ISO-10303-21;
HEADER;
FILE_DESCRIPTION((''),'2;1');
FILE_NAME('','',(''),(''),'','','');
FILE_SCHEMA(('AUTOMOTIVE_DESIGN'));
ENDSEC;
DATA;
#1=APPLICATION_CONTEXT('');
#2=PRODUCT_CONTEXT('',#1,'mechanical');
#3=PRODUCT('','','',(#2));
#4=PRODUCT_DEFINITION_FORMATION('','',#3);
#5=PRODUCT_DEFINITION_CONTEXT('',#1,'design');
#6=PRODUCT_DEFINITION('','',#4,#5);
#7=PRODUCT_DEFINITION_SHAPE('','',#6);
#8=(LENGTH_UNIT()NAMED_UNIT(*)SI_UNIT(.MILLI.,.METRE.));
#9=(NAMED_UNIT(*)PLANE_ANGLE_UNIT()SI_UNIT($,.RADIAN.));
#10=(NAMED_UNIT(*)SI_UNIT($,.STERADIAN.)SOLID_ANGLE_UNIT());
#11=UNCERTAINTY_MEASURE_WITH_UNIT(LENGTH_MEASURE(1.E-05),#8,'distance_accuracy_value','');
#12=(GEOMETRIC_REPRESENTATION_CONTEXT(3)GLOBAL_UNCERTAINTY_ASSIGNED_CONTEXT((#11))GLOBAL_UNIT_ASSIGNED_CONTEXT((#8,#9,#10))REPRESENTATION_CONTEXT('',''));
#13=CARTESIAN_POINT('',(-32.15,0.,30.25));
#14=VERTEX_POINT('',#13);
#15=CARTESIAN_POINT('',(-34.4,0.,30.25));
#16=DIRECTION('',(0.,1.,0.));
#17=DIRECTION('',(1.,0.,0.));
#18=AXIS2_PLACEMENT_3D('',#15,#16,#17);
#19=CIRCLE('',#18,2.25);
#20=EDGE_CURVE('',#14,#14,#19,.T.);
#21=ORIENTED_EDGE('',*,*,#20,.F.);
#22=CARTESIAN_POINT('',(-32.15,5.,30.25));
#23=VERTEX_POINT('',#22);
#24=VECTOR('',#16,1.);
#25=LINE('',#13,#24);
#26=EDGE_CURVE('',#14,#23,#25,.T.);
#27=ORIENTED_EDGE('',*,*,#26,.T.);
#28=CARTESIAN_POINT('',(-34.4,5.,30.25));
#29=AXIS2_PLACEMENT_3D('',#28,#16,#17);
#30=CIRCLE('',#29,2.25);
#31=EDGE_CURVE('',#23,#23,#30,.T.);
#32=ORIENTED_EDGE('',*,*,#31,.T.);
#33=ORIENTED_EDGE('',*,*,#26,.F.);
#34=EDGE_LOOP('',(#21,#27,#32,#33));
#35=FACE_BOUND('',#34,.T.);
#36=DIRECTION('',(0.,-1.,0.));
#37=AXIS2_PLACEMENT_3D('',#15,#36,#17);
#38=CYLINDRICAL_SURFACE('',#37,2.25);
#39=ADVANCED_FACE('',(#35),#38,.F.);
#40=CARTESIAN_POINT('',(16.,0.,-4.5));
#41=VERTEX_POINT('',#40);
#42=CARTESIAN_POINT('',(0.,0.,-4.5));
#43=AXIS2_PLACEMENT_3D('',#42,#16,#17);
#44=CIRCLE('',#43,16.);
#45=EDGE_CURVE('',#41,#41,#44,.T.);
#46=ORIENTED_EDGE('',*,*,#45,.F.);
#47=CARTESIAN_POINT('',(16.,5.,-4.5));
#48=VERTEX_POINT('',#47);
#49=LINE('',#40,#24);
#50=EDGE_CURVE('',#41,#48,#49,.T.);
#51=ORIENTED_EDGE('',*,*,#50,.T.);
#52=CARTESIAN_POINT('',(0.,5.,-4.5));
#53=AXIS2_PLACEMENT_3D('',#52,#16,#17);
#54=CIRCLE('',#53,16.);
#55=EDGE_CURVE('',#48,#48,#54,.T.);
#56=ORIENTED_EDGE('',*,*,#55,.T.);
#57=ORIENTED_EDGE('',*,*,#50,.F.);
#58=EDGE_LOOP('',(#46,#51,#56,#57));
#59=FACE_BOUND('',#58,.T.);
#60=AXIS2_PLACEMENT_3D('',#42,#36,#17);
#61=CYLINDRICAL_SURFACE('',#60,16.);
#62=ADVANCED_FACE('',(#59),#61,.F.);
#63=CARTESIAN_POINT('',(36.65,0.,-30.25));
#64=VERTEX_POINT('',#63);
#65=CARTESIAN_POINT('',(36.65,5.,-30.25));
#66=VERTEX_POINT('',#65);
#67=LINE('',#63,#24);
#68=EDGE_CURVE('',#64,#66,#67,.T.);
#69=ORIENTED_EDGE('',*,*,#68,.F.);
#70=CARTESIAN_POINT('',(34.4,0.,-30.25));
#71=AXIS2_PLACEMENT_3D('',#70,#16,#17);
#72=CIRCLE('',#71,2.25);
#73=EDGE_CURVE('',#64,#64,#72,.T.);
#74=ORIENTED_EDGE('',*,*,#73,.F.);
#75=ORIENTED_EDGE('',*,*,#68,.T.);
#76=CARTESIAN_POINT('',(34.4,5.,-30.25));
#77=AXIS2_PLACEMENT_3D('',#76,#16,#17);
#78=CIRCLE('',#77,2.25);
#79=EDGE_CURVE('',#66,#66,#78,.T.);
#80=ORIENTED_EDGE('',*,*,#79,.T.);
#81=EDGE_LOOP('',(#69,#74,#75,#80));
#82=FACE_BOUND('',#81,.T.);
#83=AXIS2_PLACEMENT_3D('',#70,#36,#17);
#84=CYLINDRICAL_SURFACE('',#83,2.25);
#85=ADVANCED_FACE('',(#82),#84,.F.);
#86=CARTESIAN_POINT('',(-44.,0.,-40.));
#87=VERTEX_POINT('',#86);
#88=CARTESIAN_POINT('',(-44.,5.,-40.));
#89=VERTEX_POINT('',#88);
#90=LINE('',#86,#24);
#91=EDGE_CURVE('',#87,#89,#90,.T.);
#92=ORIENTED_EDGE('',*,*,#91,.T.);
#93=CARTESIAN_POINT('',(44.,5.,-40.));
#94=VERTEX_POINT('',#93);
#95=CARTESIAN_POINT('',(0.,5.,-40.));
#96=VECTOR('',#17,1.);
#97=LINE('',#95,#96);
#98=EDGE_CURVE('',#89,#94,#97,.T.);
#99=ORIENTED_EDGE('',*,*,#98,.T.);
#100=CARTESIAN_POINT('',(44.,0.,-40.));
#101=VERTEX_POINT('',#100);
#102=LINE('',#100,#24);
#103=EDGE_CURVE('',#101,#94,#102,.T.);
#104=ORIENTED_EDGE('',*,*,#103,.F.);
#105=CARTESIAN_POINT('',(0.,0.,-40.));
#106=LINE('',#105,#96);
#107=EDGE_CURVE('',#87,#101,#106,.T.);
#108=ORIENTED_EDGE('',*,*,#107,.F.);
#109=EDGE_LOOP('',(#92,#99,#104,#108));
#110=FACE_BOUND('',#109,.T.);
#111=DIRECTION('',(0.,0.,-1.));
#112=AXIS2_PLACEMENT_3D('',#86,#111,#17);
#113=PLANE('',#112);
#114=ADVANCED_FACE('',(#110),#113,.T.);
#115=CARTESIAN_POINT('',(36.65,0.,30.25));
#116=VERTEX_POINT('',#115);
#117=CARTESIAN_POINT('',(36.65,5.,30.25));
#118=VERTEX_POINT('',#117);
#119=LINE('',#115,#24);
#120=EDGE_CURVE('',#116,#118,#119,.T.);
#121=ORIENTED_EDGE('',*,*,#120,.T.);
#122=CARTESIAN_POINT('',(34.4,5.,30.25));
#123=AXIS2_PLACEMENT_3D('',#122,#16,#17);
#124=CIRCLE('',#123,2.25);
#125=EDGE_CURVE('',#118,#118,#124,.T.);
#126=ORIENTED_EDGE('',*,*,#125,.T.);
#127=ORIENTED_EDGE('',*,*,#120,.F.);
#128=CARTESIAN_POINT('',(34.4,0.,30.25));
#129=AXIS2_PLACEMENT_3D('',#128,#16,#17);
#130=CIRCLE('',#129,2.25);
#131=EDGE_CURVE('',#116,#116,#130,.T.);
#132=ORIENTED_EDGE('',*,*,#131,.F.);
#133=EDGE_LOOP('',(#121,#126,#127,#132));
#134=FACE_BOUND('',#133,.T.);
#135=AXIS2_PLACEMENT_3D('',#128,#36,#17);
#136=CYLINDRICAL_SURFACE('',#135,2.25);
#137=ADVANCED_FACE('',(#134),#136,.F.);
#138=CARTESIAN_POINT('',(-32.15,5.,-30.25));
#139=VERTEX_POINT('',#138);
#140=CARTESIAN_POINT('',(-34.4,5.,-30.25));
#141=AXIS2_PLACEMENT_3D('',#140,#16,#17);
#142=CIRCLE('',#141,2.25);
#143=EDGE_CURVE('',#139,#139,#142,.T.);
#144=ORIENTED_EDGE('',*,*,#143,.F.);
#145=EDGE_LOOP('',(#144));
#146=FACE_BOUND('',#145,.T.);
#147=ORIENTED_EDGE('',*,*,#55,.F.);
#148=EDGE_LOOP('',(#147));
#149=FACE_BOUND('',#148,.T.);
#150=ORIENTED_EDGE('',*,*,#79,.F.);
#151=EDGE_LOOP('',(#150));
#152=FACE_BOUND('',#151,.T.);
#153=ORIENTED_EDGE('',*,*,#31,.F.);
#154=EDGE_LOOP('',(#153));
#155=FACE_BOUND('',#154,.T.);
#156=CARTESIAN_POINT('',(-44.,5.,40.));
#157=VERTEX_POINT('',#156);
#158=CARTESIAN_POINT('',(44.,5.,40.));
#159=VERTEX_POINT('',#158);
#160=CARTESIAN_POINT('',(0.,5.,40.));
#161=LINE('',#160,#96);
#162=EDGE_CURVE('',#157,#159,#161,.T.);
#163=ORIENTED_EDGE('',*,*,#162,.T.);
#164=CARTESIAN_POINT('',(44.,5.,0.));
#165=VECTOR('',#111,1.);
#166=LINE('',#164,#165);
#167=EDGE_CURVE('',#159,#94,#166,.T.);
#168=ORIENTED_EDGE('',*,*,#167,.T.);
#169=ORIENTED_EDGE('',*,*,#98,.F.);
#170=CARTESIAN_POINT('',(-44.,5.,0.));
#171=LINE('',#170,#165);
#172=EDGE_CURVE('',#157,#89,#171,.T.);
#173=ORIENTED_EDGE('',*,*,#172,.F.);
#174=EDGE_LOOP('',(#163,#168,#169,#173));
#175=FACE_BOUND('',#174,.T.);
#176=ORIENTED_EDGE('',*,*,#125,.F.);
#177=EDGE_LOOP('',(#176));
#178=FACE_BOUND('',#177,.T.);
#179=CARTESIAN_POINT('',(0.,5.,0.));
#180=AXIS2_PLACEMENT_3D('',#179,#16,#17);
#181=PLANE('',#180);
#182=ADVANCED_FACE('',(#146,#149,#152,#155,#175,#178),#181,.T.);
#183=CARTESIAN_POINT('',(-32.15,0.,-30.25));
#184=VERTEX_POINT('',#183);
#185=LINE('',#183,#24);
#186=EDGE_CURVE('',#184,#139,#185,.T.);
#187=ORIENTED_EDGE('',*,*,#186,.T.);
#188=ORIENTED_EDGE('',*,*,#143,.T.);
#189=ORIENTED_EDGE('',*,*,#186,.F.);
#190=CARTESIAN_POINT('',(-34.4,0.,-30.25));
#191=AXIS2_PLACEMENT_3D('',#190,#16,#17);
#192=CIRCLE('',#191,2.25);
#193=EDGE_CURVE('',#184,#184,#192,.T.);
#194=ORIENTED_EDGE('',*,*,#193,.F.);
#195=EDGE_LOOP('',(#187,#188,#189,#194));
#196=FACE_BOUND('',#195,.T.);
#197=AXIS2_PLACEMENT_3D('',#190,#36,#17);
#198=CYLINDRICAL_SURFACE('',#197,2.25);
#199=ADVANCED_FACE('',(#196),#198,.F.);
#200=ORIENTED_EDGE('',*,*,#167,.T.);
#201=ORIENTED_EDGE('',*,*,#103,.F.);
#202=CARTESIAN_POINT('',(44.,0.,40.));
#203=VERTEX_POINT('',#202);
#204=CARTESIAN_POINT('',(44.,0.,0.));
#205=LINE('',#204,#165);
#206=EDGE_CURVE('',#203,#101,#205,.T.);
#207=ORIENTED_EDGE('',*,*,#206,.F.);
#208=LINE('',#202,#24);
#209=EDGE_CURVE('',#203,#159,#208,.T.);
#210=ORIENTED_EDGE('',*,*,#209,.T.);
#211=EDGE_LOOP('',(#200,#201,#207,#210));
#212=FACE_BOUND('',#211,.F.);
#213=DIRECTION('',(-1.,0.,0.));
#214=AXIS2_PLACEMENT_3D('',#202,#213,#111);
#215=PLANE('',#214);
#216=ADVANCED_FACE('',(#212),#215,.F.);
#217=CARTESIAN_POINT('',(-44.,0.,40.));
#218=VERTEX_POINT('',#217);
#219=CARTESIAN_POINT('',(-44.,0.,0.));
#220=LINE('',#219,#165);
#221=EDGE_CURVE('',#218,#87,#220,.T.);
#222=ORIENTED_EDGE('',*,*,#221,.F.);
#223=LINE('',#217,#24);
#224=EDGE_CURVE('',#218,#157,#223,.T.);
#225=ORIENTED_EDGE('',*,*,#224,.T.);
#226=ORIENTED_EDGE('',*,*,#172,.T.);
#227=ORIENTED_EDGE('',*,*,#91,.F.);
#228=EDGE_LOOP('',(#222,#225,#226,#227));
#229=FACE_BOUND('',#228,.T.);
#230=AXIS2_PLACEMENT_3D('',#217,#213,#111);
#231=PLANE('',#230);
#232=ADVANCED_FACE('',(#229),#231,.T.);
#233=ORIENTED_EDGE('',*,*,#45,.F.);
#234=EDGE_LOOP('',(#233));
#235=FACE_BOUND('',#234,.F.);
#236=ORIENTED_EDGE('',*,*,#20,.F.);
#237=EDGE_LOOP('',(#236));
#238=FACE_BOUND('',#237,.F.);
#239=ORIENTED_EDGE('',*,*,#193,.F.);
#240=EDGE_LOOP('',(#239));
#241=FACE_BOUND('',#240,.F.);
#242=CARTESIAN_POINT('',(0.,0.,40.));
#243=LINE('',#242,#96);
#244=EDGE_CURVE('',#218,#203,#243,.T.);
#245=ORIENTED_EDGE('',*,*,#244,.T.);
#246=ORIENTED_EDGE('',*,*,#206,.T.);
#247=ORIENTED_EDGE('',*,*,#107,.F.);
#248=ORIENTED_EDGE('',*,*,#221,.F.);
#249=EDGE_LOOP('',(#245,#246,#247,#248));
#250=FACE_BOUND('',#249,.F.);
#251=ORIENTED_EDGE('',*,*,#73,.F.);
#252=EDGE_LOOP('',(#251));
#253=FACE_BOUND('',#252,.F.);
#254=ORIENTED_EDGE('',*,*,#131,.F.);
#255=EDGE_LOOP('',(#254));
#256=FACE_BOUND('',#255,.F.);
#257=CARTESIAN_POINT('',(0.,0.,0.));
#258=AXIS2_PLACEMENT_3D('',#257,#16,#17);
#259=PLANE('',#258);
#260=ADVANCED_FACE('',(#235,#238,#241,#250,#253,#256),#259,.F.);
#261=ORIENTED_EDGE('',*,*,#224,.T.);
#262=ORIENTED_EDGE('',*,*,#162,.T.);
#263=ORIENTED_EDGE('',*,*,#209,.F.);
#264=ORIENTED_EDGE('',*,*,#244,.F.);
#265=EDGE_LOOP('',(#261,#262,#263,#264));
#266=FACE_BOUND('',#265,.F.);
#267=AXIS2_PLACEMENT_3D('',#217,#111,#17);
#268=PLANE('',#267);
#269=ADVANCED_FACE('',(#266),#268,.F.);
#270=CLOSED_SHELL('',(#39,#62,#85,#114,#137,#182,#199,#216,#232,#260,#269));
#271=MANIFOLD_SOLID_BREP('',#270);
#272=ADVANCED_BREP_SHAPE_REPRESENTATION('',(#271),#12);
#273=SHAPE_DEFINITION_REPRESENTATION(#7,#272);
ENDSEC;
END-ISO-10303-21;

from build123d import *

# Parameters (mm, degrees)
SKETCH_1_W      = 88
SKETCH_1_H      = 80
SKETCH_1_R      = 2.25
SKETCH_1_R_2    = 16
EXTRUDE_1_DEPTH = 5


with BuildPart() as part:
    # Эскиз1 → Бобышка-Вытянуть1 (new body)
    with BuildSketch(Plane(origin=(0, 0, 0), x_dir=(1, 0, 0), z_dir=(0, 1, 0))):
        Rectangle(SKETCH_1_W, SKETCH_1_H)
        with Locations((-34.4, 30.25)):
            Circle(SKETCH_1_R, mode=Mode.SUBTRACT)
        with Locations((34.4, 30.25)):
            Circle(SKETCH_1_R, mode=Mode.SUBTRACT)
        with Locations((34.4, -30.25)):
            Circle(SKETCH_1_R, mode=Mode.SUBTRACT)
        with Locations((-34.4, -30.25)):
            Circle(SKETCH_1_R, mode=Mode.SUBTRACT)
        with Locations((0, 4.5)):
            Circle(SKETCH_1_R_2, mode=Mode.SUBTRACT)
    extrude(amount=EXTRUDE_1_DEPTH)


solid = part.part
